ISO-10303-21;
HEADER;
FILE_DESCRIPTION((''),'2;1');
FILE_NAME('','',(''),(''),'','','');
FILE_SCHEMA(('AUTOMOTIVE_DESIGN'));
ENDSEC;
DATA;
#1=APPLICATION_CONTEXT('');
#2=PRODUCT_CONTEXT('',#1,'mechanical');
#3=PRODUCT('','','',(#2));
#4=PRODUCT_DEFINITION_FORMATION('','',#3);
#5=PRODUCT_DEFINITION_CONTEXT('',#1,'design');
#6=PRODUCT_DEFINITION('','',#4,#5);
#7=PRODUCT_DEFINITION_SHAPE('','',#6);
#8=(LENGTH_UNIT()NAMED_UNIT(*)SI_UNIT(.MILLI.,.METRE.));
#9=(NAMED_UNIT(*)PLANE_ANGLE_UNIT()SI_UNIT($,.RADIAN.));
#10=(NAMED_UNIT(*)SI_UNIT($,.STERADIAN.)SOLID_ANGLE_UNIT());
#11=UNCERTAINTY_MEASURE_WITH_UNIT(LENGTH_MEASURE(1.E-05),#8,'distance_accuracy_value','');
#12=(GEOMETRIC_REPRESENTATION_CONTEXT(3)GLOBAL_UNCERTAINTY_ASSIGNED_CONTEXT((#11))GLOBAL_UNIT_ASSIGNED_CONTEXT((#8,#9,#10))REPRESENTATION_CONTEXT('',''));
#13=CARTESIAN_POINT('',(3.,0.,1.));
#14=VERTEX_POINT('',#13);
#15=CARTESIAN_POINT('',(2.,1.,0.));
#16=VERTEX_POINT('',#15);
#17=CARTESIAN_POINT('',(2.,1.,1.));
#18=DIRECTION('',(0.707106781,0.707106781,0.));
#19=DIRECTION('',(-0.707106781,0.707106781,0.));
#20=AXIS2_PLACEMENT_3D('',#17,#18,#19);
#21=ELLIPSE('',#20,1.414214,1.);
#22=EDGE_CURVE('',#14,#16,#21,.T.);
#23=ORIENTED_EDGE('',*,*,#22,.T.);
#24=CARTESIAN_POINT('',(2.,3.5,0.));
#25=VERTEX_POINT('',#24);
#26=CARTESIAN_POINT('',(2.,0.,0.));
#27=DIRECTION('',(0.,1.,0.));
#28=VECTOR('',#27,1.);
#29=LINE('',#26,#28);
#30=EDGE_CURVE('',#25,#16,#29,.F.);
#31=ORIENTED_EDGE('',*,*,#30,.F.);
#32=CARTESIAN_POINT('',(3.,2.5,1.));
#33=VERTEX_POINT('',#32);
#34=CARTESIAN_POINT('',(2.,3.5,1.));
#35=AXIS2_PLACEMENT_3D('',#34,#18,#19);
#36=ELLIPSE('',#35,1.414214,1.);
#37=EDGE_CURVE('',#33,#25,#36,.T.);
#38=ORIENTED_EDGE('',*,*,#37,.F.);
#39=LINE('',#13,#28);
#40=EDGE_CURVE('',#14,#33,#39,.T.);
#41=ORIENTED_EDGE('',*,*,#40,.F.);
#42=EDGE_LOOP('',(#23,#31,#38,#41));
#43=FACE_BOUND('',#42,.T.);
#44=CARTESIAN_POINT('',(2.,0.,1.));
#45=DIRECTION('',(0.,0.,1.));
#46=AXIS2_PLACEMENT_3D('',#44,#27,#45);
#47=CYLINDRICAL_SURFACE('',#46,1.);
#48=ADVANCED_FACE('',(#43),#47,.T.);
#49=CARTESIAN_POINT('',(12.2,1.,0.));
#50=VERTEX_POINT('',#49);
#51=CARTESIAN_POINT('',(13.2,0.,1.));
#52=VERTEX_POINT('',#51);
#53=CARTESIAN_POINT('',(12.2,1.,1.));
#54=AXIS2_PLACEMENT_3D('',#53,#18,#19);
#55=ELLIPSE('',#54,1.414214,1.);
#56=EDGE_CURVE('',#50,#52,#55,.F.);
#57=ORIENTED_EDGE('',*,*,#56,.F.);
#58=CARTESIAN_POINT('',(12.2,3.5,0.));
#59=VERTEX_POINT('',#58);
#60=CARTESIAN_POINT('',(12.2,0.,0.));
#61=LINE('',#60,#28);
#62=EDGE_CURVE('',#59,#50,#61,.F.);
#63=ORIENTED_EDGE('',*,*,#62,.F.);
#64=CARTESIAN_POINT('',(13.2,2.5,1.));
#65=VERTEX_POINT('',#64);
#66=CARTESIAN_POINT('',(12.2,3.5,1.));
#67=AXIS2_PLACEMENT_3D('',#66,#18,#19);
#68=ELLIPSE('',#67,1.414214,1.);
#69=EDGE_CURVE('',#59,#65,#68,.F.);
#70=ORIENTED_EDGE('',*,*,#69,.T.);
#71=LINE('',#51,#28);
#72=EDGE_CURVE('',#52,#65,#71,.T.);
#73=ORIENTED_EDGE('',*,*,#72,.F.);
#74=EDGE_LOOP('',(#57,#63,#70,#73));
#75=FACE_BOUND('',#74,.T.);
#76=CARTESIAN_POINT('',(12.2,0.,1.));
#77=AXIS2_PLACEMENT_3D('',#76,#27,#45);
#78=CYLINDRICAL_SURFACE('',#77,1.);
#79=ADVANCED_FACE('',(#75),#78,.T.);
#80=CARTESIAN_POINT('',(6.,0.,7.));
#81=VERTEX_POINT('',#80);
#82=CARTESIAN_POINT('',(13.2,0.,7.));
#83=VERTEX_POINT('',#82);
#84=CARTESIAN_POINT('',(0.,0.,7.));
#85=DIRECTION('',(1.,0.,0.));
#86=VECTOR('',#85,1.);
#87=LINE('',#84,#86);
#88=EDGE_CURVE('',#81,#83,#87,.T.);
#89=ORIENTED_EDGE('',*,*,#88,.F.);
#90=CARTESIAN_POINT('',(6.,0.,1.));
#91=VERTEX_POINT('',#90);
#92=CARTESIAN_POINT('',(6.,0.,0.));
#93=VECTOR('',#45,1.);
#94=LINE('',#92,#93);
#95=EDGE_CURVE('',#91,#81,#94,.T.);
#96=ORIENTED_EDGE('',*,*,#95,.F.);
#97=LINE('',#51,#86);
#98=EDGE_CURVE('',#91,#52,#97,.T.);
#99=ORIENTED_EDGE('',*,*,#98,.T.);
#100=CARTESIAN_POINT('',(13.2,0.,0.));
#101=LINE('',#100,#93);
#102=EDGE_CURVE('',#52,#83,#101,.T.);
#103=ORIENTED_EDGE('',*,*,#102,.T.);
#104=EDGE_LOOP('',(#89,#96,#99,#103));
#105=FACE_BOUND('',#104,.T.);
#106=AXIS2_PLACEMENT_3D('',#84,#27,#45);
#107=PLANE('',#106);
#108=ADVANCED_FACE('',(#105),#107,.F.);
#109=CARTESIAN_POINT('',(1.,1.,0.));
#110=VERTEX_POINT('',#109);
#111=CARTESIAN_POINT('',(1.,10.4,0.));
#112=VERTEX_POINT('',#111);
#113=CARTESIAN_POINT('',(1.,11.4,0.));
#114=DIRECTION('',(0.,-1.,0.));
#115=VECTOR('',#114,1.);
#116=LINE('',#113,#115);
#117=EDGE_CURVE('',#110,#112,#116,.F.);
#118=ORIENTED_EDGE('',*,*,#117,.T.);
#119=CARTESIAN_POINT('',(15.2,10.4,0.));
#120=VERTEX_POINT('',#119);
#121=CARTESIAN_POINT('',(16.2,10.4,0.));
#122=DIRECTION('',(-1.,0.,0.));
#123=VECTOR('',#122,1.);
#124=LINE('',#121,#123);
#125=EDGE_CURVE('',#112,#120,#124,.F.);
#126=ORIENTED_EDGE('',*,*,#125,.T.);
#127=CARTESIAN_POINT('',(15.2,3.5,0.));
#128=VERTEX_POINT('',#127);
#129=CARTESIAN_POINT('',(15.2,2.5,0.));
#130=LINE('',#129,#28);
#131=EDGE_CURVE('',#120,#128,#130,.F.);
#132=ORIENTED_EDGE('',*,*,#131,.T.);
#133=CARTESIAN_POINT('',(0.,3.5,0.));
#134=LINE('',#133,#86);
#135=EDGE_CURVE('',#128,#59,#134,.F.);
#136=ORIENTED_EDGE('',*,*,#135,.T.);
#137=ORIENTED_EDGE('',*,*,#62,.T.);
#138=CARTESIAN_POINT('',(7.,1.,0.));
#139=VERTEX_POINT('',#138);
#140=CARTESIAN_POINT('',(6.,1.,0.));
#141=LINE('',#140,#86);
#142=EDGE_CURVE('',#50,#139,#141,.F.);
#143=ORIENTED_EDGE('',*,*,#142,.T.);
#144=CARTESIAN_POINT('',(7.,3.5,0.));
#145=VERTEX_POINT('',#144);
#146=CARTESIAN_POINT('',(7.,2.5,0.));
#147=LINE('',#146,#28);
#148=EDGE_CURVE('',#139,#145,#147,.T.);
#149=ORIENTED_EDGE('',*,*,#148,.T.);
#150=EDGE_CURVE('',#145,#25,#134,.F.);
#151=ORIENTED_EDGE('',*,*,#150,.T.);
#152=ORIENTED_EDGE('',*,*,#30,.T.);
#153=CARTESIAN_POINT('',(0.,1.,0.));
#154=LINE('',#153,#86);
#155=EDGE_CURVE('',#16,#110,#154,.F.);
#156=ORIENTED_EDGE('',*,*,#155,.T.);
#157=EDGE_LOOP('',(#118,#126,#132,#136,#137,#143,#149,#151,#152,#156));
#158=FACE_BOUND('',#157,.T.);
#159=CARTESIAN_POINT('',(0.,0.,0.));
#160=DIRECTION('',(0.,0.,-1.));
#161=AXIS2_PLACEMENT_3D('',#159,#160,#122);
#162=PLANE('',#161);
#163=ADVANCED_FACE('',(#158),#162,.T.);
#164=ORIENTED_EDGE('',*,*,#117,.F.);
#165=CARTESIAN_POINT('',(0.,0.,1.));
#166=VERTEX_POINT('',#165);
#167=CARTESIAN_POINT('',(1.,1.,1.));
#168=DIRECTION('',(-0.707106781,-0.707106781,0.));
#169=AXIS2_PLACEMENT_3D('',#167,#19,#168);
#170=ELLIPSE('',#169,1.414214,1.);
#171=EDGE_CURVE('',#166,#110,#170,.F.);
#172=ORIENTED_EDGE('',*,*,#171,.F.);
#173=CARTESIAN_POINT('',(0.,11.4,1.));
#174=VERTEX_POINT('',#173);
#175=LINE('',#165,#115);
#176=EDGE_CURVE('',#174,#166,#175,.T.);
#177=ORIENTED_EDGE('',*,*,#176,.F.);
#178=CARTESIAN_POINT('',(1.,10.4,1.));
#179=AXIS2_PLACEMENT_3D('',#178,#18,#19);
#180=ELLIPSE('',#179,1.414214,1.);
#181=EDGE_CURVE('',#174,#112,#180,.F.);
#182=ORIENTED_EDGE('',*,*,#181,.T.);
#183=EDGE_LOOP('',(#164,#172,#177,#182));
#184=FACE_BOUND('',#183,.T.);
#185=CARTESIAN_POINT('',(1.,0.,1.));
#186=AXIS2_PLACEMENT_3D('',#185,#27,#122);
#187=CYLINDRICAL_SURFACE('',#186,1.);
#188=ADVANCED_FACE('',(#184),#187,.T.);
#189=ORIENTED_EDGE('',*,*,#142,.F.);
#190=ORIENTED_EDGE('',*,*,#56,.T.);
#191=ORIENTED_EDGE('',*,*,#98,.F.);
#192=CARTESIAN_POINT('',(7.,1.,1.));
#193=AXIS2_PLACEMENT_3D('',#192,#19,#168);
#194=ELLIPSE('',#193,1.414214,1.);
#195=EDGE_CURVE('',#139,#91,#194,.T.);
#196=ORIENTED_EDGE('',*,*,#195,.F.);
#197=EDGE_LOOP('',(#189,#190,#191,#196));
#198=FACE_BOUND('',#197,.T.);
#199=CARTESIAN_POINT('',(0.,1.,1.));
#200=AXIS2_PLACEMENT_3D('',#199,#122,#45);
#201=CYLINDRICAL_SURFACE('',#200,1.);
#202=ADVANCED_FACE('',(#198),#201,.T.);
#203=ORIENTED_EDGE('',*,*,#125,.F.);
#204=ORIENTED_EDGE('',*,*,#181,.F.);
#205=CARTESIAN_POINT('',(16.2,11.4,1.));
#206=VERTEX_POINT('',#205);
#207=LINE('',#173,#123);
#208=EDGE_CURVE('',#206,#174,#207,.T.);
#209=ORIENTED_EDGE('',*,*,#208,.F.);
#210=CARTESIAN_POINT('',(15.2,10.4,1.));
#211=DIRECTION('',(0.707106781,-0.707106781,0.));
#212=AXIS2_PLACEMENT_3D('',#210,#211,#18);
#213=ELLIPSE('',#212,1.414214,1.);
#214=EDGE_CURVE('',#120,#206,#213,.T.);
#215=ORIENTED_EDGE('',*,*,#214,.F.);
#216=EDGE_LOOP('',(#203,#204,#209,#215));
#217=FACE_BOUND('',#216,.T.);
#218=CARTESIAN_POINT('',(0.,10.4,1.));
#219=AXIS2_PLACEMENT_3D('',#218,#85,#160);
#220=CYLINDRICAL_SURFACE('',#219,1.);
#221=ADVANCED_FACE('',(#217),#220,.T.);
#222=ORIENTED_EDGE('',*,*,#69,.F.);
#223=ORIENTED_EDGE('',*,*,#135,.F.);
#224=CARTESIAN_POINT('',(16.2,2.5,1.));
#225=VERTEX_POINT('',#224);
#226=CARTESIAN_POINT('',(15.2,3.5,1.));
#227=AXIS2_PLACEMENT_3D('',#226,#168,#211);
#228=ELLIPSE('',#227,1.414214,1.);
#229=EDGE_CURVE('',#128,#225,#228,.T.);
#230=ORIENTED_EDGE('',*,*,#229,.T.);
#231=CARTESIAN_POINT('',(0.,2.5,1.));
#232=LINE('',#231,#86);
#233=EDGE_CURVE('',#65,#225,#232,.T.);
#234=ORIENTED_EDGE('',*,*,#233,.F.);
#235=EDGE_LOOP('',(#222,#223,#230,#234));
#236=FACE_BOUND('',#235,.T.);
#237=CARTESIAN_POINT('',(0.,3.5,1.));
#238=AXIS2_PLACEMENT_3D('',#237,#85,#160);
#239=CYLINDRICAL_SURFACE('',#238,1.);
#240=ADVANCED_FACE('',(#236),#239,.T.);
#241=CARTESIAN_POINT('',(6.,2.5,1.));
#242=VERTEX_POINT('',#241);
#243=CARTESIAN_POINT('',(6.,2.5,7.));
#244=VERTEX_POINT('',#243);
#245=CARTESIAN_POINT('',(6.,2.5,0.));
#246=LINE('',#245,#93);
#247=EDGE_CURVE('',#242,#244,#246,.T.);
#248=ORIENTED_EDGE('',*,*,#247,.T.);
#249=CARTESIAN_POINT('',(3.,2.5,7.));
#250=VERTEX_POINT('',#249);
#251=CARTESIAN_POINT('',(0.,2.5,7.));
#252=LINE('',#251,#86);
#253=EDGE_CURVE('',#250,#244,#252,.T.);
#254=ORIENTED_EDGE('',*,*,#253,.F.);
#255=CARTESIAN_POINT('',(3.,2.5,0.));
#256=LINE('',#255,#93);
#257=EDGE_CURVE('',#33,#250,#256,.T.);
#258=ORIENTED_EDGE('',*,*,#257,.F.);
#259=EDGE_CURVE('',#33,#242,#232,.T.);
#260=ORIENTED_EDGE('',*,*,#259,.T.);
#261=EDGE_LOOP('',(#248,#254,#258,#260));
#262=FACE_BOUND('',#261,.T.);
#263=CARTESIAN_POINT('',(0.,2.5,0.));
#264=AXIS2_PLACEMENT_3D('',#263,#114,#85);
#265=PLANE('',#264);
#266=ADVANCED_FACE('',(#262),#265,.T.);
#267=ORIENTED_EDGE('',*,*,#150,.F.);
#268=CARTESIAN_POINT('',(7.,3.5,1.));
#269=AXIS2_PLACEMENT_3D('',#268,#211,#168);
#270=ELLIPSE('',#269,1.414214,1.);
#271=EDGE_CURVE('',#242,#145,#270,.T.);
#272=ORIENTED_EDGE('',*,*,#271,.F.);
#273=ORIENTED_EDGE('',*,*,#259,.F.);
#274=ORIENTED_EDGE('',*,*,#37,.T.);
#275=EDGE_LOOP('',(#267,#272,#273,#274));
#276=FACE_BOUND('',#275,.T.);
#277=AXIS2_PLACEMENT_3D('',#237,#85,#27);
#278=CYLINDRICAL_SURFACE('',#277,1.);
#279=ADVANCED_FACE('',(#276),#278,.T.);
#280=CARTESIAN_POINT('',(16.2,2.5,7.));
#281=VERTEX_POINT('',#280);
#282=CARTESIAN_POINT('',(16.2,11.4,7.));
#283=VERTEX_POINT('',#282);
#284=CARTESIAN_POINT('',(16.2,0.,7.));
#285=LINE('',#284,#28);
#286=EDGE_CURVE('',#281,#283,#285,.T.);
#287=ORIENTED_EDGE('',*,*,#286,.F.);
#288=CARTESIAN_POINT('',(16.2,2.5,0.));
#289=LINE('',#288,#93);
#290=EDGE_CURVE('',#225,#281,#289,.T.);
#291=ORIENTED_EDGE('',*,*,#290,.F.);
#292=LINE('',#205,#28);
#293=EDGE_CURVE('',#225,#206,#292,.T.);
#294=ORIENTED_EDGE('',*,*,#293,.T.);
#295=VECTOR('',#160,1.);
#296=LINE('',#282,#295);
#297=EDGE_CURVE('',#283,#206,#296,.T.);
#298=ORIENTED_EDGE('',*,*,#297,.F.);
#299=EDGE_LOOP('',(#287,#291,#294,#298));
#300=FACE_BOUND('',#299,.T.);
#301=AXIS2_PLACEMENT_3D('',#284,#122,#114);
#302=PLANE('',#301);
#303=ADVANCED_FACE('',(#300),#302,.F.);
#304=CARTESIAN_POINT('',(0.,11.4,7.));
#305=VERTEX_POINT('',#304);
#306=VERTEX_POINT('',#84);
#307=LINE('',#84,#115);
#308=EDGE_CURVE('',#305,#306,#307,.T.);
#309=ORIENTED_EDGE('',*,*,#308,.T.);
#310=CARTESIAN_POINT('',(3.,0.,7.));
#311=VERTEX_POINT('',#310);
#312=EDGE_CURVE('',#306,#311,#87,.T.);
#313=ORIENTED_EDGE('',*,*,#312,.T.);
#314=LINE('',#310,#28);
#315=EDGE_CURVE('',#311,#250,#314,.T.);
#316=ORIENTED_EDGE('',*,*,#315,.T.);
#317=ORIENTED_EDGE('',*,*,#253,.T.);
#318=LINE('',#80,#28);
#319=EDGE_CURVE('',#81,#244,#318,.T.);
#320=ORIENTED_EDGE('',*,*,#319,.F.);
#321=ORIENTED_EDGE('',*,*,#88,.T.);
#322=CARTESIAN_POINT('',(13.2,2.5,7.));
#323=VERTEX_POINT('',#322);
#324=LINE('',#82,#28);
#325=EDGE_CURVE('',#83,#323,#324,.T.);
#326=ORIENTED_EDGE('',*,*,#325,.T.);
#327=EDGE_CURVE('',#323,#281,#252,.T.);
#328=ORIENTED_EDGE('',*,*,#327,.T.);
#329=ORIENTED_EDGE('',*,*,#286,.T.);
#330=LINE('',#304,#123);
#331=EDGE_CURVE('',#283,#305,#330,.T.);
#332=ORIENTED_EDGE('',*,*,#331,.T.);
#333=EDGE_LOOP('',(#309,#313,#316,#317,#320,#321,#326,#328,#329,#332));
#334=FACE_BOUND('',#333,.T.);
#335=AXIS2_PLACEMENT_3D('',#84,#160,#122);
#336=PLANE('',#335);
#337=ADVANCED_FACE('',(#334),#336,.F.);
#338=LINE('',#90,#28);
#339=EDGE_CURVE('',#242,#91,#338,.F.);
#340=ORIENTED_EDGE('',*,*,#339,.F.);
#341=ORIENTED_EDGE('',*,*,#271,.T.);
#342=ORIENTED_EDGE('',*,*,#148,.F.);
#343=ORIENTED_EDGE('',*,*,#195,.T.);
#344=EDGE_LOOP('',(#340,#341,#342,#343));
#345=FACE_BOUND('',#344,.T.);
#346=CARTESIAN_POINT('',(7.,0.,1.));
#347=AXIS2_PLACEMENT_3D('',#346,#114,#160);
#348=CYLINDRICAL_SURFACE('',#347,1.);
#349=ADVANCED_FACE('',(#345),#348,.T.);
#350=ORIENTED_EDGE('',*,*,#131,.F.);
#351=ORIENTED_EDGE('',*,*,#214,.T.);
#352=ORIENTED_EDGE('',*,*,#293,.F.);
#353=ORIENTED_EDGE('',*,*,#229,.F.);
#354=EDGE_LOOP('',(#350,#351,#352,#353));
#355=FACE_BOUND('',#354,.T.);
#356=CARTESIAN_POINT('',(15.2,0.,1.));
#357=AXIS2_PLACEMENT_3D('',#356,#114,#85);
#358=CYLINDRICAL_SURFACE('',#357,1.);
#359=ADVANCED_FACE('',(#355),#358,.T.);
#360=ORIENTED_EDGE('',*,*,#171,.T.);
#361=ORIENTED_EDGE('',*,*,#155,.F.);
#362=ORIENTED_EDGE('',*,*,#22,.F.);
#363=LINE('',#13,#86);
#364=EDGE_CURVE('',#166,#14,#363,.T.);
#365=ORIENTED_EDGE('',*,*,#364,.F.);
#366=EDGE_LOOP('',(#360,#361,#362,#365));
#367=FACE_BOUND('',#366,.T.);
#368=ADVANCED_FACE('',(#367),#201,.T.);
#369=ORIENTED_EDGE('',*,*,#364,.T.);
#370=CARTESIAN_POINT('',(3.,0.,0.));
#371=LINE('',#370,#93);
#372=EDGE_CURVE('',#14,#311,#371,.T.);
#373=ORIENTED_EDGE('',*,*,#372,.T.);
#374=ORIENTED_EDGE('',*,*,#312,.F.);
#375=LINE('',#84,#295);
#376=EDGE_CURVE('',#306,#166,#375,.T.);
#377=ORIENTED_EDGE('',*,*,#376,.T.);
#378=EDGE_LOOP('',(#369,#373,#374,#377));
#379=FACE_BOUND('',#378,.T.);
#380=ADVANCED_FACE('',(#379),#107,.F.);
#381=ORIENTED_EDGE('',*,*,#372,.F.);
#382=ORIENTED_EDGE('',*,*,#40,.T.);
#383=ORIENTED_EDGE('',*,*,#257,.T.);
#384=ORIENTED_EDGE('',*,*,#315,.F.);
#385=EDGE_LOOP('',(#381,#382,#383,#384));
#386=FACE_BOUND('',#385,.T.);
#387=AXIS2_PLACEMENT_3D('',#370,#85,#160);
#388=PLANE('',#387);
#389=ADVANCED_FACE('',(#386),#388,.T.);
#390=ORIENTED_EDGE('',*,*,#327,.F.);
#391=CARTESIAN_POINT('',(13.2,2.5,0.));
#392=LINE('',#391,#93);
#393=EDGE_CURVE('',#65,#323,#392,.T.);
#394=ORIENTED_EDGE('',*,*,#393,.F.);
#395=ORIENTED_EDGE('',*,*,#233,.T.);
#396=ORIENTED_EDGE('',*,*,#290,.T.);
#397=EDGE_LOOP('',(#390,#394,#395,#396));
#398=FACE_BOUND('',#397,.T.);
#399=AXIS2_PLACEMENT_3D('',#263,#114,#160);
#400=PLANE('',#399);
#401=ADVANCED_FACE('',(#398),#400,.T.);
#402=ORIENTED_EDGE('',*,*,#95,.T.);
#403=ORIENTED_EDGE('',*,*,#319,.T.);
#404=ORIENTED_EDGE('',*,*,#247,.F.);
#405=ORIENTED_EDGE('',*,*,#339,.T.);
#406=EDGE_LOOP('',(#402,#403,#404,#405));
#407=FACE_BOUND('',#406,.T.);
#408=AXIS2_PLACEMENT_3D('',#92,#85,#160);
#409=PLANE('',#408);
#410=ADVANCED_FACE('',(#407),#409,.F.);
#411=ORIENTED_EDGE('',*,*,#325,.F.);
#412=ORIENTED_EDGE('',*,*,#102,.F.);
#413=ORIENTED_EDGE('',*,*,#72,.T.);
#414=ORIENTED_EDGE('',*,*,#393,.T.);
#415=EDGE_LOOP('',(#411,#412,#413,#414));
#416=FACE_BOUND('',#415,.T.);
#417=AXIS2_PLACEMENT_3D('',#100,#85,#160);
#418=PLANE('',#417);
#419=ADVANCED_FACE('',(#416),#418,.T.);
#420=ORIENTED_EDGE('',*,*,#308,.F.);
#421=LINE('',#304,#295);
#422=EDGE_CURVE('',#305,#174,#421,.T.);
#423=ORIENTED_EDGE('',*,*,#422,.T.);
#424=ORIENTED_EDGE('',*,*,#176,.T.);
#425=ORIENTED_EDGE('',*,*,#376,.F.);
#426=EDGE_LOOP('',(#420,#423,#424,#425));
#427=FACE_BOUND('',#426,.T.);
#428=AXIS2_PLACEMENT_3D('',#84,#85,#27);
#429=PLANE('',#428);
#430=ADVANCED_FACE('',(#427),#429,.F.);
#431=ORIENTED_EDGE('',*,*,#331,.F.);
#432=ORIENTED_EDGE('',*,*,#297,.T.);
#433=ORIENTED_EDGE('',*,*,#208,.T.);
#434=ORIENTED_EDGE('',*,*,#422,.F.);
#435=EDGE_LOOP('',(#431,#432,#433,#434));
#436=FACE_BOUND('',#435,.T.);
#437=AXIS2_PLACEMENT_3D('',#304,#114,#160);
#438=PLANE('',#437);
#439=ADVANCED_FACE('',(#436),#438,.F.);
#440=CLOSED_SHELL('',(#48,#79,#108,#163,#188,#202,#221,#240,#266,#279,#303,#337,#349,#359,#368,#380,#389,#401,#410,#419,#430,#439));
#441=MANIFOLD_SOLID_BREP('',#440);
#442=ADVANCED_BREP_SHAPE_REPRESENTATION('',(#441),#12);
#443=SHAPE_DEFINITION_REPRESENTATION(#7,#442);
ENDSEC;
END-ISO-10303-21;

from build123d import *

# Parameters (mm, degrees)
SKICA1_W                 = 16.2
SKICA1_H                 = 11.4
P_IDAT_VYSUNUT_M1_DEPTH  = 7
SKICA2_W                 = 3
SKICA2_H                 = 2.5
ODEBRAT_VYSUNUT_M1_DEPTH = 8
ZAOBLIT5_R               = 1


with BuildPart() as part:
    # Skica1 → Přidat vysunutím1 (new body)
    with BuildSketch(Plane.XY):
        with Locations((8.1, 5.7)):
            Rectangle(SKICA1_W, SKICA1_H)
    extrude(amount=P_IDAT_VYSUNUT_M1_DEPTH)

    # Skica2 → Odebrat vysunutím1 (cut, through all)
    with BuildSketch(Plane.XY.offset(7)):
        with Locations((4.5, 1.25)):
            Rectangle(SKICA2_W, SKICA2_H)
        with Locations((14.7, 1.25)):
            Rectangle(SKICA2_W, SKICA2_H)
    extrude(amount=-ODEBRAT_VYSUNUT_M1_DEPTH, mode=Mode.SUBTRACT)

    # Zaoblit5
    zaoblit5_edges = [part.edges().sort_by_distance(p)[0] for p in [
        (16.2, 6.95, 0),
        (9.6, 0, 0),
        (6, 1.25, 0),
        (3, 1.25, 0),
        (4.5, 2.5, 0),
        (14.7, 2.5, 0),
        (13.2, 1.25, 0),
        (8.1, 11.4, 0),
        (1.5, 0, 0),
        (0, 5.7, 0),
    ]]
    fillet(zaoblit5_edges, radius=ZAOBLIT5_R)


solid = part.part
